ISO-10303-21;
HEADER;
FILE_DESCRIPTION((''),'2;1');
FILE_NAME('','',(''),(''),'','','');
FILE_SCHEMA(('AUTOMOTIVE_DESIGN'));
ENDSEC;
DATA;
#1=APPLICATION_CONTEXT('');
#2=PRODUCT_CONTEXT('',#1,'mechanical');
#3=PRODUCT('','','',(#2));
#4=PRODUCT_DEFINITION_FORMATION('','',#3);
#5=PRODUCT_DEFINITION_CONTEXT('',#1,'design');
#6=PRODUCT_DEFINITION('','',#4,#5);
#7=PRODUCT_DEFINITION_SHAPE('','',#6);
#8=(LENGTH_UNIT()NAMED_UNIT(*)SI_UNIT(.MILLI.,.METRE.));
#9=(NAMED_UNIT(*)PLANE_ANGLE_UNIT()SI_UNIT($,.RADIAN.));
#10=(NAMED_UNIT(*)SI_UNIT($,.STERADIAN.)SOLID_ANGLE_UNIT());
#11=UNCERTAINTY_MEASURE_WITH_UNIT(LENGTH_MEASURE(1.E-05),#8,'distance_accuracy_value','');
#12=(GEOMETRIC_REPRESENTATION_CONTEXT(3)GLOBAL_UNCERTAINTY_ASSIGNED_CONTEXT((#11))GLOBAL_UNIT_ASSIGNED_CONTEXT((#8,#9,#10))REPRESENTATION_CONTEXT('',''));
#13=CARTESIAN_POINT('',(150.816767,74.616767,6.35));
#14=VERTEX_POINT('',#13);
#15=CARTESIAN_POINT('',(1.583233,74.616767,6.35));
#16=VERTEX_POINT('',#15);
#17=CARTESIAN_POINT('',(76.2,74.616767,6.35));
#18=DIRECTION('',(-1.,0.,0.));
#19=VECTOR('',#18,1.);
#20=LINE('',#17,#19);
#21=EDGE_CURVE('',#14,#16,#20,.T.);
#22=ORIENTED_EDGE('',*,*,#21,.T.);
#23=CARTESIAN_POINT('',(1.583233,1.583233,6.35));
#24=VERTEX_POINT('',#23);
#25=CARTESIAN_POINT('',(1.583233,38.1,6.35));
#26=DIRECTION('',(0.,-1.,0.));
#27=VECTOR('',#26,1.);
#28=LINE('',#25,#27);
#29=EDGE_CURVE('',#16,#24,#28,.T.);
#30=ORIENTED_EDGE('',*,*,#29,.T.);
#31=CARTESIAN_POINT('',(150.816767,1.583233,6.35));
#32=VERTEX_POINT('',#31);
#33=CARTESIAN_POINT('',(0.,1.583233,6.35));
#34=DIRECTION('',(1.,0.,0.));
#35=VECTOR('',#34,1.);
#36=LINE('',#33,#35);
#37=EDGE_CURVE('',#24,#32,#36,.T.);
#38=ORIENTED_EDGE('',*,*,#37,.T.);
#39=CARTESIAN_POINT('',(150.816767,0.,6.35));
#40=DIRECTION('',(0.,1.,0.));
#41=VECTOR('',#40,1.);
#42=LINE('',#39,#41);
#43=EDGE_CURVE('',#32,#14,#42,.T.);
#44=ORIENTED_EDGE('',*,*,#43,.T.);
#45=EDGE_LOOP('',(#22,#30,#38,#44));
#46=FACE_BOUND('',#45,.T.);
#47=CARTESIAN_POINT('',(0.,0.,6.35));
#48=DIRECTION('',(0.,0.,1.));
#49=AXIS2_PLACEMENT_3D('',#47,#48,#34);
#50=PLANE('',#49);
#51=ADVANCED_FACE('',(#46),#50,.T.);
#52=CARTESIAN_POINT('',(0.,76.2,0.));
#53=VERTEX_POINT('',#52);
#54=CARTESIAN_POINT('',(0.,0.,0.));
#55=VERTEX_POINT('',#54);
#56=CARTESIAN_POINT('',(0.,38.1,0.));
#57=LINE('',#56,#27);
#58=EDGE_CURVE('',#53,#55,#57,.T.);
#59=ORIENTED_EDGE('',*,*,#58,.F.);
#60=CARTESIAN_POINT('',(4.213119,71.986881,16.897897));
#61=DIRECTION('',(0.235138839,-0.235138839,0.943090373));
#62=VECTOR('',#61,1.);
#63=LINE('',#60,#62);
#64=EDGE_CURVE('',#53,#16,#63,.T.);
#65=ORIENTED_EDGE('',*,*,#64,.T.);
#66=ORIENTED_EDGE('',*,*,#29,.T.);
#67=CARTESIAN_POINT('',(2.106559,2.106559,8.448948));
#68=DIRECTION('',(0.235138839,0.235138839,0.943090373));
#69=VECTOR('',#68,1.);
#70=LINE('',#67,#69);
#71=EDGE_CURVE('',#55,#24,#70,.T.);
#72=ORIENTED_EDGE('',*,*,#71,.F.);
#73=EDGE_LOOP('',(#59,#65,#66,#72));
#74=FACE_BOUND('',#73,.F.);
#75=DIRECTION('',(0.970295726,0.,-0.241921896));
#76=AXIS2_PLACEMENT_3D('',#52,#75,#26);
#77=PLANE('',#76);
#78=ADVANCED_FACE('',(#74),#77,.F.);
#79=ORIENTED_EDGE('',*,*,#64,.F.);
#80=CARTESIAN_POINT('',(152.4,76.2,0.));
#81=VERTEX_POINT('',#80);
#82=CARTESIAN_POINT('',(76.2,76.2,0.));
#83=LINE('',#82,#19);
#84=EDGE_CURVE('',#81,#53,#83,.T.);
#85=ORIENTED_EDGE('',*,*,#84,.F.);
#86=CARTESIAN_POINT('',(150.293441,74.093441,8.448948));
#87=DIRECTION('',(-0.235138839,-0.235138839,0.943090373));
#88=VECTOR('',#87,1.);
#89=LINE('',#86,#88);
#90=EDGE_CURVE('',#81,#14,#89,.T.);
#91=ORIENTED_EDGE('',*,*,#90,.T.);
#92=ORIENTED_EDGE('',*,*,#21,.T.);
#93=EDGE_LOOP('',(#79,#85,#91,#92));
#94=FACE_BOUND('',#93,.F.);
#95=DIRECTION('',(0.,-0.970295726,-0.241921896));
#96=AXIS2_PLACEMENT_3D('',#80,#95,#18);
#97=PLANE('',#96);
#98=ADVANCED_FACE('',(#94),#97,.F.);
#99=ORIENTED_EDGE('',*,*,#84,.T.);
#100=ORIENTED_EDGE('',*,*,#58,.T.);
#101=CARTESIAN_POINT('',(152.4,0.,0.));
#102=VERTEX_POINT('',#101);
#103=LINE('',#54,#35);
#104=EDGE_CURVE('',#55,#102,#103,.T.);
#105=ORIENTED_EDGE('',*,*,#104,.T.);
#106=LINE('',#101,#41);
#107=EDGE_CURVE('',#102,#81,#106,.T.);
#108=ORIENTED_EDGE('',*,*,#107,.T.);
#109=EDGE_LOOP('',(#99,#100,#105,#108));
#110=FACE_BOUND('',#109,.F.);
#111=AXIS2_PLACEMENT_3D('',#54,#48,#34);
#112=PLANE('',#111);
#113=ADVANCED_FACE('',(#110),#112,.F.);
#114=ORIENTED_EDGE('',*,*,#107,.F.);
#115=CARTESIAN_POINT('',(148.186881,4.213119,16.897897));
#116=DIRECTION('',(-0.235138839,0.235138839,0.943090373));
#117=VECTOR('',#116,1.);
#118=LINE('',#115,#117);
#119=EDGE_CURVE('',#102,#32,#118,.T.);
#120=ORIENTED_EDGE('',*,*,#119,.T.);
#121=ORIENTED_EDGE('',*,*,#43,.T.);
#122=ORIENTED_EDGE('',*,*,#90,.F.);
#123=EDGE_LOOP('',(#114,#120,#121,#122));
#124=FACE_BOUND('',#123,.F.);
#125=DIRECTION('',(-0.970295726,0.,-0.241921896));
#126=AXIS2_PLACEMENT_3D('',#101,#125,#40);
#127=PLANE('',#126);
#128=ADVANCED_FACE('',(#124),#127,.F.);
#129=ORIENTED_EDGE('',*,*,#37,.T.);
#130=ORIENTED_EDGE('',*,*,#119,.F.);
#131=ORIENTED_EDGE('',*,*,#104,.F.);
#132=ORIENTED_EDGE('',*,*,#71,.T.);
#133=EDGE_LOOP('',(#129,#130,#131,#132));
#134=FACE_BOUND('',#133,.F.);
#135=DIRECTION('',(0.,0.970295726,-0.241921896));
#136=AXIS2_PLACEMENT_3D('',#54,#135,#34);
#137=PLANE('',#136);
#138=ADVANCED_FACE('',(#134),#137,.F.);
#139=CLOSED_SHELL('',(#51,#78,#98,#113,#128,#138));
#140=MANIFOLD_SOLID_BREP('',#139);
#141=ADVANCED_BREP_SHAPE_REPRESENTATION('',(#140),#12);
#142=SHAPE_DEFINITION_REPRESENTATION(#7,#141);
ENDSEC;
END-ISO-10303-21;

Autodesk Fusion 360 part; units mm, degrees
sketch "Sketch1" plane through (0, 0, 0) normal (0, 0, 1) x (1, 0, 0)
  line L0 (0, 0) -> (152.4, 0)
  line L1 (152.4, 0) -> (152.4, 76.2)
  line L2 (152.4, 76.2) -> (0, 76.2)
  line L3 (0, 76.2) -> (0, 0)
  dimension "d1" = 152.4
  dimension "d2" = 76.2
extrude "Extrude1" add sketch "Sketch1" along normal blind 6.35 draft -14
